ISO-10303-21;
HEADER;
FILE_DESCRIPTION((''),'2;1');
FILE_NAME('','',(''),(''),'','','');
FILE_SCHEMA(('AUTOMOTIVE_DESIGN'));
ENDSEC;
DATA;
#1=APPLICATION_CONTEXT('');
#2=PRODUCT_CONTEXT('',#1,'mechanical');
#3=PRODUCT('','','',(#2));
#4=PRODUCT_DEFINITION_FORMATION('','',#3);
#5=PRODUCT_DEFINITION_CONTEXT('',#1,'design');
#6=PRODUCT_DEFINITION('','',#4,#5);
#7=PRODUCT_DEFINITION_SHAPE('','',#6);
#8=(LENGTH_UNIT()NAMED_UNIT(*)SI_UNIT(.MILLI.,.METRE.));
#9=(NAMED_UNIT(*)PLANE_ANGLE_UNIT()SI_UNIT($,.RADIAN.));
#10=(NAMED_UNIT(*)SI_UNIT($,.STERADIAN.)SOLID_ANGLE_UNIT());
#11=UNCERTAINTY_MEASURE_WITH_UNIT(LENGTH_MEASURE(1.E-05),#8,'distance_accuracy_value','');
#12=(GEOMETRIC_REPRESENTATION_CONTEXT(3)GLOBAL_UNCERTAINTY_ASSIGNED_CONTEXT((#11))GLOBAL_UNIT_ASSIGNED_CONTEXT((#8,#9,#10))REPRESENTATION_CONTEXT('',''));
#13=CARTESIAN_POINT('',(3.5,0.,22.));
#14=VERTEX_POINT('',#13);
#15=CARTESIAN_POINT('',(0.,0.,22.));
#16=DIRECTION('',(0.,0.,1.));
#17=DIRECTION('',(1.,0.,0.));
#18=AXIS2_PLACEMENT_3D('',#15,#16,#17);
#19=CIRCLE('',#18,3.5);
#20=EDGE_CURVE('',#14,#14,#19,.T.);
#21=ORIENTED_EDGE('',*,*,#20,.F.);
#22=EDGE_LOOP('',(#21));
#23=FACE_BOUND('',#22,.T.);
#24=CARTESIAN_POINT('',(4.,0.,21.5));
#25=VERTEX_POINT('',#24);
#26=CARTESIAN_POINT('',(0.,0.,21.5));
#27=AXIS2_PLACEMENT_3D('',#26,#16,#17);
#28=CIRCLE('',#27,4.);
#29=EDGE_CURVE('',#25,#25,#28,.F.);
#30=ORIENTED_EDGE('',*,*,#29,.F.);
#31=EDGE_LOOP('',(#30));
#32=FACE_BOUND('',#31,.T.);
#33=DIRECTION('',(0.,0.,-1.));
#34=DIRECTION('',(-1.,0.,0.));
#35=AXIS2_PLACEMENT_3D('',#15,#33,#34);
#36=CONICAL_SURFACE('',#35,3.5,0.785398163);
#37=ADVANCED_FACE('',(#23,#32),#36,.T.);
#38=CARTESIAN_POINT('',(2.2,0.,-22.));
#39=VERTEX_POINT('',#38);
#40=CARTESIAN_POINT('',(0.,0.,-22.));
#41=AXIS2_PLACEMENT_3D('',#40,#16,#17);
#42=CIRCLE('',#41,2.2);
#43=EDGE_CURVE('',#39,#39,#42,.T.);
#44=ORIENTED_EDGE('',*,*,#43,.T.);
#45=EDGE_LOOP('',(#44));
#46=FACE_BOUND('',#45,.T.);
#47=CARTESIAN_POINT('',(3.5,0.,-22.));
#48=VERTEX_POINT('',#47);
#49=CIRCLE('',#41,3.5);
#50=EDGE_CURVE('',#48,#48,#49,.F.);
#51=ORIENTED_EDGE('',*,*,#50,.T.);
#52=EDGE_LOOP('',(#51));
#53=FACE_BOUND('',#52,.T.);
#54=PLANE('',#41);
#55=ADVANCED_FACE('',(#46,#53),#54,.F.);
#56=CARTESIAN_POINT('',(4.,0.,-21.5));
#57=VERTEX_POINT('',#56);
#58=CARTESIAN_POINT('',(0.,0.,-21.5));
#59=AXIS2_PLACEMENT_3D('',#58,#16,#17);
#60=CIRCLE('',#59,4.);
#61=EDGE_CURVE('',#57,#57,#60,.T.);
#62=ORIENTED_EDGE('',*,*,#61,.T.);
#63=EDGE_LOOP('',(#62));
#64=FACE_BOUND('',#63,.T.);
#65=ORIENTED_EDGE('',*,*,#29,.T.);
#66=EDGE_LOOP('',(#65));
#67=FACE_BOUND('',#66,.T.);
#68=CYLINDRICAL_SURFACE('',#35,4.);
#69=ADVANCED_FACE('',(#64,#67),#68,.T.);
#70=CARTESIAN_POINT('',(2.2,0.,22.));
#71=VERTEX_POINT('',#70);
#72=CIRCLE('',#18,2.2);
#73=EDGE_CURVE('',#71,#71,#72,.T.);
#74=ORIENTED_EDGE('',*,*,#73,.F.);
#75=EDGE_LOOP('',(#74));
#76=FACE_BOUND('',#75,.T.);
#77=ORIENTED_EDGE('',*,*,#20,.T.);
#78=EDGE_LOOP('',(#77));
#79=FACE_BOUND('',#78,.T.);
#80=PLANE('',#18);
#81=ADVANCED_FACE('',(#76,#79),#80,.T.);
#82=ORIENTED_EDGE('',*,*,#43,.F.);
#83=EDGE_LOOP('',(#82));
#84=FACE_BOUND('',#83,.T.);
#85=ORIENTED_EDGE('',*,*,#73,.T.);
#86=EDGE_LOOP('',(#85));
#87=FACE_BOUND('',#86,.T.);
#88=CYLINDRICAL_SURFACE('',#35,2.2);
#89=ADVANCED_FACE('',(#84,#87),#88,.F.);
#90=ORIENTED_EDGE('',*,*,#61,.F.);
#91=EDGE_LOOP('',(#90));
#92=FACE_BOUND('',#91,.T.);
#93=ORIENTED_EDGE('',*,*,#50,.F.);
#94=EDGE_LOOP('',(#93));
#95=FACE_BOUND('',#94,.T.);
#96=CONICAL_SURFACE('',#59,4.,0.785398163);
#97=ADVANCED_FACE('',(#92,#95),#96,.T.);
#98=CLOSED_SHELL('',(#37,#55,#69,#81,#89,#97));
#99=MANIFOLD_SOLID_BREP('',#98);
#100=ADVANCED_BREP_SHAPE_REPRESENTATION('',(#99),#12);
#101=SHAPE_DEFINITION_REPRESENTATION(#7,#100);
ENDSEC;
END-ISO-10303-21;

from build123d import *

# Parameters (mm, degrees)
ESQUISSE1_R        = 4
ESQUISSE1_R_2      = 2.2
BOSS_EXTRU_1_DEPTH = 22
CHAMFER1_SIZE      = 0.5


with BuildPart() as part:
    # Esquisse1 → Boss.-Extru.1 (new body, symmetric)
    with BuildSketch(Plane.XY):
        Circle(ESQUISSE1_R)
        Circle(ESQUISSE1_R_2, mode=Mode.SUBTRACT)
    extrude(amount=BOSS_EXTRU_1_DEPTH, both=True)

    # Chamfer1
    chamfer1_edges = [part.edges().sort_by_distance(p)[0] for p in [
        (-4, 0, -22),
        (-4, 0, 22),
    ]]
    chamfer(chamfer1_edges, length=CHAMFER1_SIZE)


solid = part.part
